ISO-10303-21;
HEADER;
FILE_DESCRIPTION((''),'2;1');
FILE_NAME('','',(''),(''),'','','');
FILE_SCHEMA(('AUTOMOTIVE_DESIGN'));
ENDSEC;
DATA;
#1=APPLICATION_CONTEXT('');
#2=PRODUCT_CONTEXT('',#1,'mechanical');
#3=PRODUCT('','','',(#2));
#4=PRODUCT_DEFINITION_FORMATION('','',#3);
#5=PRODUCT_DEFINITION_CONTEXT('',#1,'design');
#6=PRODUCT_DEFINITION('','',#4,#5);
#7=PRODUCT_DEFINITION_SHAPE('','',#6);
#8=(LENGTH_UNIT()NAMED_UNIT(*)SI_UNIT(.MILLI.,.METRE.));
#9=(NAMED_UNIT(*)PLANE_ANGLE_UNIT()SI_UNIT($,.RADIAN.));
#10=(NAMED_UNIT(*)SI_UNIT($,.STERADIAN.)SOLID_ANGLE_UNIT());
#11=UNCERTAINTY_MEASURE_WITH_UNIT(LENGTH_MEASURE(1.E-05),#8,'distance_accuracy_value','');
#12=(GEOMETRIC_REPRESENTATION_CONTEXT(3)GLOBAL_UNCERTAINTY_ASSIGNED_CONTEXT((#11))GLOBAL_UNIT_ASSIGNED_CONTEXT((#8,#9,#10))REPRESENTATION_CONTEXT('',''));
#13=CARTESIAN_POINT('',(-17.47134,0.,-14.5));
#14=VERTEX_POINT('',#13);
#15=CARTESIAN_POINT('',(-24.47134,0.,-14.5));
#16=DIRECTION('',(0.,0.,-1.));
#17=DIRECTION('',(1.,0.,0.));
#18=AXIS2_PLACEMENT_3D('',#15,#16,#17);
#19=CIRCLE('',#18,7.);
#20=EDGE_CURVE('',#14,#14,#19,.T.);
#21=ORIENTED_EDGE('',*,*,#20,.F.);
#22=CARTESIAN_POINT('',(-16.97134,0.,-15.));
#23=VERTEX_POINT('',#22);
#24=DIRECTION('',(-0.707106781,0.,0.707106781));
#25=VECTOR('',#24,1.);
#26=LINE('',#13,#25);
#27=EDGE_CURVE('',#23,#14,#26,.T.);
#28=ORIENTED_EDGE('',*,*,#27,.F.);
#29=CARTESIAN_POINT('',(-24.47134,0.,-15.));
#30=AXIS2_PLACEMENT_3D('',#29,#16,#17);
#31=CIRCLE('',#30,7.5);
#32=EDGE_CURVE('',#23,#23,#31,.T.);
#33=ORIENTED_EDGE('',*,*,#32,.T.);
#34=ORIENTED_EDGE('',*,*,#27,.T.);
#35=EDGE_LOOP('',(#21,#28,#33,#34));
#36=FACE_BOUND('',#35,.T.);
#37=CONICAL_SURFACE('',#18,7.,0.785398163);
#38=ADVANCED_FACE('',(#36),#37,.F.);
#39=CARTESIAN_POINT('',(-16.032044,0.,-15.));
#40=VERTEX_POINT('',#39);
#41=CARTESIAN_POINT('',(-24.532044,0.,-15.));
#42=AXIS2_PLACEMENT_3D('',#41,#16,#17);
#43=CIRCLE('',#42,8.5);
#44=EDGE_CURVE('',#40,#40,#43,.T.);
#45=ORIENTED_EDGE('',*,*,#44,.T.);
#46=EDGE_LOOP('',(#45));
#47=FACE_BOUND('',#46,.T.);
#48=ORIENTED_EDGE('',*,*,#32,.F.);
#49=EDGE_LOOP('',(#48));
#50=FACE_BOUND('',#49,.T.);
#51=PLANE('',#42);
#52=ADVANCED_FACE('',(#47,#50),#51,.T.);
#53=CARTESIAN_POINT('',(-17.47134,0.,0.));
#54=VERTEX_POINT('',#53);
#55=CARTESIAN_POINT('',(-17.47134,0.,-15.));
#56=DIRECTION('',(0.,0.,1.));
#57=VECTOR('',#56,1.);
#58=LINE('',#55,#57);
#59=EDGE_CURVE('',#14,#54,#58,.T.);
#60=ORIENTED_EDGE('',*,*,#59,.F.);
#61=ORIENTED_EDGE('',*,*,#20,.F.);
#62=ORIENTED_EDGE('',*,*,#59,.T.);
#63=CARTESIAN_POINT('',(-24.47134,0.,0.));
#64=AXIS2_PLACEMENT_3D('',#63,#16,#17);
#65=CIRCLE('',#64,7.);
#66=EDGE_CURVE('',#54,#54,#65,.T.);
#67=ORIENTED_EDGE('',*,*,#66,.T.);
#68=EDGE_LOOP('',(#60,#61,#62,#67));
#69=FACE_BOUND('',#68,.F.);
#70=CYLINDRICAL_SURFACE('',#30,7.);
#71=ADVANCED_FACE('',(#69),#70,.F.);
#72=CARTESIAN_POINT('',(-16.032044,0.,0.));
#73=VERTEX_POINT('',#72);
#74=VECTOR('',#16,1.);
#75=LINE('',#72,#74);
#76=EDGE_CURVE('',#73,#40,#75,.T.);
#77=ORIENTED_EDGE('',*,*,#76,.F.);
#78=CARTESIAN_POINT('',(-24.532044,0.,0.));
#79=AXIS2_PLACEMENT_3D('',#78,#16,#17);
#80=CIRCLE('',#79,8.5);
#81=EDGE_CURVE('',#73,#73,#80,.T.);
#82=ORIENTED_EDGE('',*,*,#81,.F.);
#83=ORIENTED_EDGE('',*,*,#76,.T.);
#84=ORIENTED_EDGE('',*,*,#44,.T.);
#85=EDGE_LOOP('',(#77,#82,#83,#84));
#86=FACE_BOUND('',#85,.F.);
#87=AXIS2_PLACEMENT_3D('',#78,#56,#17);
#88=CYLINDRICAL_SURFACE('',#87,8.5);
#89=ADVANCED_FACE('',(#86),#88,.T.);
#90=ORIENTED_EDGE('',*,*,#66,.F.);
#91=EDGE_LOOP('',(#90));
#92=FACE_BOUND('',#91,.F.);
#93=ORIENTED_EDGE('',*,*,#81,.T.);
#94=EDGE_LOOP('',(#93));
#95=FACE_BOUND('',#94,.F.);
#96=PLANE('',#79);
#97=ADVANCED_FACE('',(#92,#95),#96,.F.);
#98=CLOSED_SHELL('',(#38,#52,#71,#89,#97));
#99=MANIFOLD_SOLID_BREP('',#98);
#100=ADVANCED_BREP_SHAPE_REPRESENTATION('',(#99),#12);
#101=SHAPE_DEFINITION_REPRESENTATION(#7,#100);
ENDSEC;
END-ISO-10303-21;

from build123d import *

# Parameters (mm, degrees)
SKETCH002_R  = 8.5
PAD001_DEPTH = 15
SKETCH003_R  = 7
POCKET_DEPTH = 28
CHAMFER_SIZE = 0.5


with BuildPart() as part:
    # Sketch002 (on Face1 of ReferenceFillet) → Pad001 (new body)
    with BuildSketch(Plane(origin=(0, 0, 0), x_dir=(1, 0, 0), z_dir=(0, 0, -1))):
        with Locations((-24.532044, 0)):
            Circle(SKETCH002_R)
    extrude(amount=PAD001_DEPTH)

    # Sketch003 (on Face3 of Pad001) → Pocket (cut)
    with BuildSketch(Plane(origin=(0, 0, -15), x_dir=(1, 0, 0), z_dir=(0, 0, -1))):
        with Locations((-24.47134, 0)):
            Circle(SKETCH003_R)
    extrude(amount=-POCKET_DEPTH, mode=Mode.SUBTRACT)

    # Chamfer
    chamfer_edges = [part.edges().sort_by_distance(p)[0] for p in [
        (-31.47134, 0, -15),
    ]]
    chamfer(chamfer_edges, length=CHAMFER_SIZE)


solid = part.part
